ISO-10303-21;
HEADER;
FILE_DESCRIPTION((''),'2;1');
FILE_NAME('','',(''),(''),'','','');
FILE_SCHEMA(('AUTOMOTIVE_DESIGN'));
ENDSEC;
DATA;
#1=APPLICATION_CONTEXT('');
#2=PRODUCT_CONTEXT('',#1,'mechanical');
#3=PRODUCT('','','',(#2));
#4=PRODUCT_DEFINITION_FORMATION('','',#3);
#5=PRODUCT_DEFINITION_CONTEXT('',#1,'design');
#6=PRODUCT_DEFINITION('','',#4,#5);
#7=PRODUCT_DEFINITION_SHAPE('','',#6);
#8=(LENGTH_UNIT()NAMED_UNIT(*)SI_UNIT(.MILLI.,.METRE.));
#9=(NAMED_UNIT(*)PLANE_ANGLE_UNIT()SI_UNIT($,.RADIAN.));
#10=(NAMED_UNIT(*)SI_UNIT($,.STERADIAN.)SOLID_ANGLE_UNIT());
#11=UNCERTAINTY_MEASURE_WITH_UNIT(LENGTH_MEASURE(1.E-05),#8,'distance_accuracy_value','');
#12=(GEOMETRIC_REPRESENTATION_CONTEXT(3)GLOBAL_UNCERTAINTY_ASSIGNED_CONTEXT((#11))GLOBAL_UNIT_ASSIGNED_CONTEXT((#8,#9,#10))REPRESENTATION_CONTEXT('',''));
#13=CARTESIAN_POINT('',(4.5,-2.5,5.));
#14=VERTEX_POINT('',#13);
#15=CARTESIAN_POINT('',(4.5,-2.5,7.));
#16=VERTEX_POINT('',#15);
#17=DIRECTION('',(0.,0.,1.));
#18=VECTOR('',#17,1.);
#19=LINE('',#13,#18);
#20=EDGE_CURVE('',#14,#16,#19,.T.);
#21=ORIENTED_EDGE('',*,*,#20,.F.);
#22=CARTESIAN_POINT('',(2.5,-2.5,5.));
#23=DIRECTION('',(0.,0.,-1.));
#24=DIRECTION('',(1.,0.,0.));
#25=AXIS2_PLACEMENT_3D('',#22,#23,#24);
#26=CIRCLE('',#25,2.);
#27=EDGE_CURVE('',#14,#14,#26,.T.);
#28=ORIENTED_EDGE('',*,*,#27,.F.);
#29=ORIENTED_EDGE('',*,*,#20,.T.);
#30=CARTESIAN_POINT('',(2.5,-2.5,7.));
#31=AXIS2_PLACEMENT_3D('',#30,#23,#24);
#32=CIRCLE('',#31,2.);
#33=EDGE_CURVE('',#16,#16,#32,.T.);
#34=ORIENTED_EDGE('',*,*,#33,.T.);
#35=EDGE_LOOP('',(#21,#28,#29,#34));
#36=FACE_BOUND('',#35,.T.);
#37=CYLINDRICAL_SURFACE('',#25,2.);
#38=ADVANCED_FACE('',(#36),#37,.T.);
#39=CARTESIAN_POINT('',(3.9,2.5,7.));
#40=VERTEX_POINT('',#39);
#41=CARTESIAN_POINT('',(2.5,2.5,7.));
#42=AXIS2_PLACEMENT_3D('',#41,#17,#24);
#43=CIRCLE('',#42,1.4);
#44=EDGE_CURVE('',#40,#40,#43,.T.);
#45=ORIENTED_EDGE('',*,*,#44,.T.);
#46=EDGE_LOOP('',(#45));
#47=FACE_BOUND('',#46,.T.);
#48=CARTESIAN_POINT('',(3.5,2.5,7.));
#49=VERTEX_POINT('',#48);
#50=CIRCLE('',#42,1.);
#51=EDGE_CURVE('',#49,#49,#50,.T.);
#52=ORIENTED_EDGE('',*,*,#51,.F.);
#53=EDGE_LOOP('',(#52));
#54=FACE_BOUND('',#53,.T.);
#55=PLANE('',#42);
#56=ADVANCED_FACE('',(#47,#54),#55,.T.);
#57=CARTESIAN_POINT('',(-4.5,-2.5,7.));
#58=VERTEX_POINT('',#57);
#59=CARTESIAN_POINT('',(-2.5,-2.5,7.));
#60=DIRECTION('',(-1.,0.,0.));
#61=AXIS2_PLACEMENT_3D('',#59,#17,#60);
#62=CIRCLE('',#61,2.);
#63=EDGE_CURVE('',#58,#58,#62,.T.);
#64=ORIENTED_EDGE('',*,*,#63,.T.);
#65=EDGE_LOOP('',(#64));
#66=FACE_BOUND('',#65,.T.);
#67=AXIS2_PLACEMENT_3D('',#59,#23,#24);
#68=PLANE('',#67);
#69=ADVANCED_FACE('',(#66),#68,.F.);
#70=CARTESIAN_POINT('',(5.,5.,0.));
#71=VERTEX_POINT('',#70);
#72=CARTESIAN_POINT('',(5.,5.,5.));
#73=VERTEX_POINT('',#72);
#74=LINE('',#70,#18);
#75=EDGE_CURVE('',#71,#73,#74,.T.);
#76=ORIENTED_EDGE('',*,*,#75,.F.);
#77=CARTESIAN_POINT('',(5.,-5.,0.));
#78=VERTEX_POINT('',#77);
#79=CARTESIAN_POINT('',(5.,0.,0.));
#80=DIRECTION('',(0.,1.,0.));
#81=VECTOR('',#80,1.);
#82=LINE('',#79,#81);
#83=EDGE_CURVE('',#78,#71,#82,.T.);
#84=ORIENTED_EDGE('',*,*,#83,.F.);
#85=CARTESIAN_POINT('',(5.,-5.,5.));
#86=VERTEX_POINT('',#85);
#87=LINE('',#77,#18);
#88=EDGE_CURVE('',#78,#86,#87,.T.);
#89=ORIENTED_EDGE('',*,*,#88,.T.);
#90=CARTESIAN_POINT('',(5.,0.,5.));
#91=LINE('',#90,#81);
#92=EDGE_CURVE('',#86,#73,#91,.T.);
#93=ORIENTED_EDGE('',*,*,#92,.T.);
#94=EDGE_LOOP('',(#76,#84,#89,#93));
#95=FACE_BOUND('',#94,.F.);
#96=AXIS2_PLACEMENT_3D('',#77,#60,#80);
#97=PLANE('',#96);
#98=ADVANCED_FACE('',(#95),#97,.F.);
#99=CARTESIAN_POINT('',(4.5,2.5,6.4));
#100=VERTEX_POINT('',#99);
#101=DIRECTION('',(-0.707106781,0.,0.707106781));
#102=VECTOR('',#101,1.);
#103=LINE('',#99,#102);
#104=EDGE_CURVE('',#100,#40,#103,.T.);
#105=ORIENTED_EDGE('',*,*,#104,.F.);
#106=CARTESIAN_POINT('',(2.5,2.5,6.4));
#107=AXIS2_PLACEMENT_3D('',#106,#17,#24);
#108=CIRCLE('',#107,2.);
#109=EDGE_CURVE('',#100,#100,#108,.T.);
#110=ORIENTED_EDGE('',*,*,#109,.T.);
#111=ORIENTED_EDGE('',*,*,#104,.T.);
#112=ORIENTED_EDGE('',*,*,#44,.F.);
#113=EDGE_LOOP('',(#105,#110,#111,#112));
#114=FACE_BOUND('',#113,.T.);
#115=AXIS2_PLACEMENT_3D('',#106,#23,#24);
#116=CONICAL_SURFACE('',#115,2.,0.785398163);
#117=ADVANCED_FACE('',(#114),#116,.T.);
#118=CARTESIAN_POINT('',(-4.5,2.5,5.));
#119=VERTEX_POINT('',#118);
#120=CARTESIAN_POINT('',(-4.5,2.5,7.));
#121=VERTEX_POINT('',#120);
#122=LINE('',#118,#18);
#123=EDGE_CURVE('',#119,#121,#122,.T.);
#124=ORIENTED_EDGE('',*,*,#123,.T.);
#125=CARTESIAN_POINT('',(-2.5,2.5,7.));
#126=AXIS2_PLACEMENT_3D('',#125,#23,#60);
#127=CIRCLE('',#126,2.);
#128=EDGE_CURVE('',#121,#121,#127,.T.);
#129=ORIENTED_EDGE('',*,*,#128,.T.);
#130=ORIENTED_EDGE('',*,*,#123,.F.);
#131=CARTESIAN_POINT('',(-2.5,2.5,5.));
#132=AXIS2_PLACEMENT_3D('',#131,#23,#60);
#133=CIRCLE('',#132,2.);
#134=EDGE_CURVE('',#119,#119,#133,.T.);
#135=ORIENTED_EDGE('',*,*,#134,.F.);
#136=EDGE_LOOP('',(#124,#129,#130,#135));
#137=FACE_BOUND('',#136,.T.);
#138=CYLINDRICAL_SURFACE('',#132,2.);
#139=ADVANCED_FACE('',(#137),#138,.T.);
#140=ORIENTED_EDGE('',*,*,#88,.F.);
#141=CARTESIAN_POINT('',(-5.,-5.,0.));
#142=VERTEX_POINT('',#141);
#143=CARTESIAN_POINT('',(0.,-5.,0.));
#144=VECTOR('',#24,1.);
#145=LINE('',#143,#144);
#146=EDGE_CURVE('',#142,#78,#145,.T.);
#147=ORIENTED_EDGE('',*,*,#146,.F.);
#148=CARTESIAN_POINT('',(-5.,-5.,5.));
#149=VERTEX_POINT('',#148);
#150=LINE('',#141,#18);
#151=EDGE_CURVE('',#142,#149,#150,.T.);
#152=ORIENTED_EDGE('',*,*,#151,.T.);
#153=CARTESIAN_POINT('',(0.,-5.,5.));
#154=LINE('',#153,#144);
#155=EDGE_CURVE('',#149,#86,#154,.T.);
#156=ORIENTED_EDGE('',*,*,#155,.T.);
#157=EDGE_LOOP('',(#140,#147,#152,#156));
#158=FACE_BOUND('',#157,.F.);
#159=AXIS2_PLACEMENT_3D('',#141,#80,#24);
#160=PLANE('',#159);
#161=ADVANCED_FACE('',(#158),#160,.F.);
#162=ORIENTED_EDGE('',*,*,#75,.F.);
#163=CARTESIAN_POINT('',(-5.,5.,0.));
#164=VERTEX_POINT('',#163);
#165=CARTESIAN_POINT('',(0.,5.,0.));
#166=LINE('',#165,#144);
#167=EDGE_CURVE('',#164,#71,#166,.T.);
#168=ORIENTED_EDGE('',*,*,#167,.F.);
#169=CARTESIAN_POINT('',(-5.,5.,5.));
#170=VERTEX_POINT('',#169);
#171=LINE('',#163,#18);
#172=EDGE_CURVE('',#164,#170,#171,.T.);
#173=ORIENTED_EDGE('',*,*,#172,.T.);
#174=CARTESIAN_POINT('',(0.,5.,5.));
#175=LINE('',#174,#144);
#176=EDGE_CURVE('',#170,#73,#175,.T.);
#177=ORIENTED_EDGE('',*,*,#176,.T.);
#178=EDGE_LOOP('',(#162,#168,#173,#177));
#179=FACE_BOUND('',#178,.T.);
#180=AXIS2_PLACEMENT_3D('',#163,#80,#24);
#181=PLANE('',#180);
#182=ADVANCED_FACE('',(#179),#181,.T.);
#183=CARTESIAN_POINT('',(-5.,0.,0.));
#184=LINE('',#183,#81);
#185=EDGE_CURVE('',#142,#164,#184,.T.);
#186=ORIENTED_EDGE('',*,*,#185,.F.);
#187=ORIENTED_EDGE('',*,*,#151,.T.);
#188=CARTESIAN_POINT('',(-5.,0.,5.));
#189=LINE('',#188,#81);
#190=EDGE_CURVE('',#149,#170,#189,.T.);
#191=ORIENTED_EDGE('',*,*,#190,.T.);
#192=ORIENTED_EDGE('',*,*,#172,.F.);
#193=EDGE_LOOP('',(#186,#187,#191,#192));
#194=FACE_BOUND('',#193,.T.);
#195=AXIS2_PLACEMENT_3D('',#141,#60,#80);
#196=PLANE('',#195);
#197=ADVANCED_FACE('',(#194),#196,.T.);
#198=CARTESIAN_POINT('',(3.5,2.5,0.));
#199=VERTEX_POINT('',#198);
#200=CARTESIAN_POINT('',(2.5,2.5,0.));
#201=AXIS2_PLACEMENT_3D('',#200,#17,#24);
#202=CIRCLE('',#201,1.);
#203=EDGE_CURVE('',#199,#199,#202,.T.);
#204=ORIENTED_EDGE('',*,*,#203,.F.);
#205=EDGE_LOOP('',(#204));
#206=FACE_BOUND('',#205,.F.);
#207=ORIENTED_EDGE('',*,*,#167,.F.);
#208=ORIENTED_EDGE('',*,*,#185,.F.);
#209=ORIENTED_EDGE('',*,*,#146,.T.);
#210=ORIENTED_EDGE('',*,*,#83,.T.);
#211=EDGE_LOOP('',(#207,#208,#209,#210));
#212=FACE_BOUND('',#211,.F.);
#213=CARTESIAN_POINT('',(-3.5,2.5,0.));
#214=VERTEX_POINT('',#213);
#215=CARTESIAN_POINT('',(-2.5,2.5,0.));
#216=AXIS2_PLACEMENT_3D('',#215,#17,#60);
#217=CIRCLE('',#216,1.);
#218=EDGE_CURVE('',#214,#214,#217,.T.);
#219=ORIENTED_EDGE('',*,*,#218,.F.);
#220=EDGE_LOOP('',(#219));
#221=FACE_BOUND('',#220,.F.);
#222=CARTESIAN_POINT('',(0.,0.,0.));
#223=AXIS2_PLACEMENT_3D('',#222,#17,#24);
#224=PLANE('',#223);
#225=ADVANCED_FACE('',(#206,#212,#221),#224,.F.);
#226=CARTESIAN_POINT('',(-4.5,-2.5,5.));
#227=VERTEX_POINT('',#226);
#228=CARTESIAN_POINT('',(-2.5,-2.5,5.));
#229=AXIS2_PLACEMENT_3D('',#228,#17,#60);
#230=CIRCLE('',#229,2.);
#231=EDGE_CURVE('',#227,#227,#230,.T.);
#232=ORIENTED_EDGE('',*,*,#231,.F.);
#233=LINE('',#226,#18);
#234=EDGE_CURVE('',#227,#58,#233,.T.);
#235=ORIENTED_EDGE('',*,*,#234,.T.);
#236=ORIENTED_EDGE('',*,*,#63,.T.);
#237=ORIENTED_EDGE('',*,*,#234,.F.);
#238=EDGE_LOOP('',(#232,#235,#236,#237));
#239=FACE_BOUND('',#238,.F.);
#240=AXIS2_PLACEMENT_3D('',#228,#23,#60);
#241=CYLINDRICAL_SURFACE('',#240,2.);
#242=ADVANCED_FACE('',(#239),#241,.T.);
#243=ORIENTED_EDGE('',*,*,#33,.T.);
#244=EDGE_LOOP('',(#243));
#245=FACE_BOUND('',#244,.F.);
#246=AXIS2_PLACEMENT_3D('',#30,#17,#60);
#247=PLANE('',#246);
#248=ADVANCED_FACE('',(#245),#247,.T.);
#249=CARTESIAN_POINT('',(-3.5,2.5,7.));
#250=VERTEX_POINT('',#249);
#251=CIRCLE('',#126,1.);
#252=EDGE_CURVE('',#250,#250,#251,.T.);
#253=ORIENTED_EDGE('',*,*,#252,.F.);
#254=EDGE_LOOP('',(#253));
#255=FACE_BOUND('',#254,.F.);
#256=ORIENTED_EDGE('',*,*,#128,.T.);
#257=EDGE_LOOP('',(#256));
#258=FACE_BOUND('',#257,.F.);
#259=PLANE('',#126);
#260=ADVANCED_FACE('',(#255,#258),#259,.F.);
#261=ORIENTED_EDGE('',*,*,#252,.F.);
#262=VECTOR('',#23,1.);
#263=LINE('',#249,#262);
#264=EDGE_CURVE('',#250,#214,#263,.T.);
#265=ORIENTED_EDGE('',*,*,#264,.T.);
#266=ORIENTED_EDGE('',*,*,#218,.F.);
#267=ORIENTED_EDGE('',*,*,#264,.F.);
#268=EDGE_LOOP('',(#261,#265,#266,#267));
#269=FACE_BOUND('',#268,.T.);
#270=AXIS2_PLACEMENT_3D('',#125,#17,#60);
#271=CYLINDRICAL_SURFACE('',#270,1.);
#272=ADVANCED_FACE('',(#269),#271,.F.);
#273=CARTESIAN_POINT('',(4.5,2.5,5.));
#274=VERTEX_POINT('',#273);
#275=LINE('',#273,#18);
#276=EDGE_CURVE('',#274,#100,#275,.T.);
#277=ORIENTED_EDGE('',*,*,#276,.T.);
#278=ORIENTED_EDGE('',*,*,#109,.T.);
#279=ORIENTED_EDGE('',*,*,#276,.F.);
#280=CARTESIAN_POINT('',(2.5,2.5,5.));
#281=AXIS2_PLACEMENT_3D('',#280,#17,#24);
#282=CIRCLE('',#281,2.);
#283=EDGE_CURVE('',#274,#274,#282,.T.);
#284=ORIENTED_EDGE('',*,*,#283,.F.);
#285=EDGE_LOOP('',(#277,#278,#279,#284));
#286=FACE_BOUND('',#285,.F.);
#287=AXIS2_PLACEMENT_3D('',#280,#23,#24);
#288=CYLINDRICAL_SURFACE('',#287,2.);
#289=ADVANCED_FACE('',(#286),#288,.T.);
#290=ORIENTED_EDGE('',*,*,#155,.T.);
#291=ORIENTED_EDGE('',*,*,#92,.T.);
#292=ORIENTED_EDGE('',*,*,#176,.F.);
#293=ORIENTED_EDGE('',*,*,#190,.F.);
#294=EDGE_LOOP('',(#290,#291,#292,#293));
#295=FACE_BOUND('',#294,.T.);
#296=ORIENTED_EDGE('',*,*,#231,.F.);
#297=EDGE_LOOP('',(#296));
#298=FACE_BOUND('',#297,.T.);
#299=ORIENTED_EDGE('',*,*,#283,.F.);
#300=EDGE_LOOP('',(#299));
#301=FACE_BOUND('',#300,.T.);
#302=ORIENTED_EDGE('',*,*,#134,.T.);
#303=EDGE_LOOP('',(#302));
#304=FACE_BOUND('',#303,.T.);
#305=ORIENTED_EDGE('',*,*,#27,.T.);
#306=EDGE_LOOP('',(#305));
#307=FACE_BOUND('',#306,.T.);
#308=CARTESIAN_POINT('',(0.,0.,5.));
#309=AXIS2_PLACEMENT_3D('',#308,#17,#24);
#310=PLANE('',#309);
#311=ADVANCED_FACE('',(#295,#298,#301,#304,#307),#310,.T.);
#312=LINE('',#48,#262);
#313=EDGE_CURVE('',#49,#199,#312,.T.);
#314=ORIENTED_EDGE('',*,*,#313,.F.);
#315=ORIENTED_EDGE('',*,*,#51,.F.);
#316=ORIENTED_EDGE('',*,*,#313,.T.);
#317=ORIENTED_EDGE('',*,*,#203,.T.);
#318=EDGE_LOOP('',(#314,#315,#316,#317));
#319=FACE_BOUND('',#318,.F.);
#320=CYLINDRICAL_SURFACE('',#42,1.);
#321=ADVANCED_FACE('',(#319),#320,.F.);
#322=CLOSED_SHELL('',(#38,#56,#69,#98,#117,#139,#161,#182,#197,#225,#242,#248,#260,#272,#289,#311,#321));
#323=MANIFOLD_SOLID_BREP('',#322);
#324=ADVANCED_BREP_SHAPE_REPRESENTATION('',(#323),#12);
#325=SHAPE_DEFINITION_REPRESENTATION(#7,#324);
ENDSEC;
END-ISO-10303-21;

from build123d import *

# Parameters (mm, degrees)
SKETCH_W                = 10
SKETCH_H                = 10
PAD_DEPTH               = 5
SKETCH001_R             = 2
PAD001_DEPTH            = 2
SKETCH002_R             = 1
POCKET_DEPTH            = 38.560468
CHAMFER_SIZE            = 0.6
SKETCH001_MIRRORED_2_R  = 2
PAD001_MIRRORED_2_DEPTH = 2


with BuildPart() as part:
    # Sketch → Pad (new body)
    with BuildSketch(Plane.XY):
        Rectangle(SKETCH_W, SKETCH_H)
    extrude(amount=PAD_DEPTH)

    # Sketch001 (on Face6 of Pad) → Pad001 (join)
    with BuildSketch(Plane.XY.offset(5)):
        with Locations((2.5, 2.5)):
            Circle(SKETCH001_R)
    pad001 = extrude(amount=PAD001_DEPTH)

    # Sketch002 (on Face8 of Pad001) → Pocket (cut, through all)
    with BuildSketch(Plane.XY.offset(7)):
        with Locations((2.5, 2.5)):
            Circle(SKETCH002_R)
    pocket = extrude(amount=-POCKET_DEPTH, mode=Mode.SUBTRACT)

    # Chamfer
    chamfer_edges = [part.edges().sort_by_distance(p)[0] for p in [
        (0.5, 2.5, 7),
    ]]
    chamfer(chamfer_edges, length=CHAMFER_SIZE)

    # Sketch001 Mirrored 2 → Pad001 Mirrored 2 (add)
    with BuildSketch(Plane(origin=(0, 0, 5), x_dir=(-1, 0, 0), z_dir=(0, 0, -1))):
        with Locations((2.5, 2.5)):
            Circle(SKETCH001_MIRRORED_2_R)
    pad001_mirrored_2 = extrude(amount=-PAD001_MIRRORED_2_DEPTH)

    # Mirrored001: Pad001, Pad001 Mirrored 2 across XZ
    add(pad001.mirror(Plane.XZ))
    add(pad001_mirrored_2.mirror(Plane.XZ))

    # Mirrored002: Pocket across Sketch002 V_Axis
    add(pocket.mirror(Plane(origin=(0, 0, 7), x_dir=(0, 0, 1), z_dir=(1, 0, 0))), mode=Mode.SUBTRACT)


solid = part.part
